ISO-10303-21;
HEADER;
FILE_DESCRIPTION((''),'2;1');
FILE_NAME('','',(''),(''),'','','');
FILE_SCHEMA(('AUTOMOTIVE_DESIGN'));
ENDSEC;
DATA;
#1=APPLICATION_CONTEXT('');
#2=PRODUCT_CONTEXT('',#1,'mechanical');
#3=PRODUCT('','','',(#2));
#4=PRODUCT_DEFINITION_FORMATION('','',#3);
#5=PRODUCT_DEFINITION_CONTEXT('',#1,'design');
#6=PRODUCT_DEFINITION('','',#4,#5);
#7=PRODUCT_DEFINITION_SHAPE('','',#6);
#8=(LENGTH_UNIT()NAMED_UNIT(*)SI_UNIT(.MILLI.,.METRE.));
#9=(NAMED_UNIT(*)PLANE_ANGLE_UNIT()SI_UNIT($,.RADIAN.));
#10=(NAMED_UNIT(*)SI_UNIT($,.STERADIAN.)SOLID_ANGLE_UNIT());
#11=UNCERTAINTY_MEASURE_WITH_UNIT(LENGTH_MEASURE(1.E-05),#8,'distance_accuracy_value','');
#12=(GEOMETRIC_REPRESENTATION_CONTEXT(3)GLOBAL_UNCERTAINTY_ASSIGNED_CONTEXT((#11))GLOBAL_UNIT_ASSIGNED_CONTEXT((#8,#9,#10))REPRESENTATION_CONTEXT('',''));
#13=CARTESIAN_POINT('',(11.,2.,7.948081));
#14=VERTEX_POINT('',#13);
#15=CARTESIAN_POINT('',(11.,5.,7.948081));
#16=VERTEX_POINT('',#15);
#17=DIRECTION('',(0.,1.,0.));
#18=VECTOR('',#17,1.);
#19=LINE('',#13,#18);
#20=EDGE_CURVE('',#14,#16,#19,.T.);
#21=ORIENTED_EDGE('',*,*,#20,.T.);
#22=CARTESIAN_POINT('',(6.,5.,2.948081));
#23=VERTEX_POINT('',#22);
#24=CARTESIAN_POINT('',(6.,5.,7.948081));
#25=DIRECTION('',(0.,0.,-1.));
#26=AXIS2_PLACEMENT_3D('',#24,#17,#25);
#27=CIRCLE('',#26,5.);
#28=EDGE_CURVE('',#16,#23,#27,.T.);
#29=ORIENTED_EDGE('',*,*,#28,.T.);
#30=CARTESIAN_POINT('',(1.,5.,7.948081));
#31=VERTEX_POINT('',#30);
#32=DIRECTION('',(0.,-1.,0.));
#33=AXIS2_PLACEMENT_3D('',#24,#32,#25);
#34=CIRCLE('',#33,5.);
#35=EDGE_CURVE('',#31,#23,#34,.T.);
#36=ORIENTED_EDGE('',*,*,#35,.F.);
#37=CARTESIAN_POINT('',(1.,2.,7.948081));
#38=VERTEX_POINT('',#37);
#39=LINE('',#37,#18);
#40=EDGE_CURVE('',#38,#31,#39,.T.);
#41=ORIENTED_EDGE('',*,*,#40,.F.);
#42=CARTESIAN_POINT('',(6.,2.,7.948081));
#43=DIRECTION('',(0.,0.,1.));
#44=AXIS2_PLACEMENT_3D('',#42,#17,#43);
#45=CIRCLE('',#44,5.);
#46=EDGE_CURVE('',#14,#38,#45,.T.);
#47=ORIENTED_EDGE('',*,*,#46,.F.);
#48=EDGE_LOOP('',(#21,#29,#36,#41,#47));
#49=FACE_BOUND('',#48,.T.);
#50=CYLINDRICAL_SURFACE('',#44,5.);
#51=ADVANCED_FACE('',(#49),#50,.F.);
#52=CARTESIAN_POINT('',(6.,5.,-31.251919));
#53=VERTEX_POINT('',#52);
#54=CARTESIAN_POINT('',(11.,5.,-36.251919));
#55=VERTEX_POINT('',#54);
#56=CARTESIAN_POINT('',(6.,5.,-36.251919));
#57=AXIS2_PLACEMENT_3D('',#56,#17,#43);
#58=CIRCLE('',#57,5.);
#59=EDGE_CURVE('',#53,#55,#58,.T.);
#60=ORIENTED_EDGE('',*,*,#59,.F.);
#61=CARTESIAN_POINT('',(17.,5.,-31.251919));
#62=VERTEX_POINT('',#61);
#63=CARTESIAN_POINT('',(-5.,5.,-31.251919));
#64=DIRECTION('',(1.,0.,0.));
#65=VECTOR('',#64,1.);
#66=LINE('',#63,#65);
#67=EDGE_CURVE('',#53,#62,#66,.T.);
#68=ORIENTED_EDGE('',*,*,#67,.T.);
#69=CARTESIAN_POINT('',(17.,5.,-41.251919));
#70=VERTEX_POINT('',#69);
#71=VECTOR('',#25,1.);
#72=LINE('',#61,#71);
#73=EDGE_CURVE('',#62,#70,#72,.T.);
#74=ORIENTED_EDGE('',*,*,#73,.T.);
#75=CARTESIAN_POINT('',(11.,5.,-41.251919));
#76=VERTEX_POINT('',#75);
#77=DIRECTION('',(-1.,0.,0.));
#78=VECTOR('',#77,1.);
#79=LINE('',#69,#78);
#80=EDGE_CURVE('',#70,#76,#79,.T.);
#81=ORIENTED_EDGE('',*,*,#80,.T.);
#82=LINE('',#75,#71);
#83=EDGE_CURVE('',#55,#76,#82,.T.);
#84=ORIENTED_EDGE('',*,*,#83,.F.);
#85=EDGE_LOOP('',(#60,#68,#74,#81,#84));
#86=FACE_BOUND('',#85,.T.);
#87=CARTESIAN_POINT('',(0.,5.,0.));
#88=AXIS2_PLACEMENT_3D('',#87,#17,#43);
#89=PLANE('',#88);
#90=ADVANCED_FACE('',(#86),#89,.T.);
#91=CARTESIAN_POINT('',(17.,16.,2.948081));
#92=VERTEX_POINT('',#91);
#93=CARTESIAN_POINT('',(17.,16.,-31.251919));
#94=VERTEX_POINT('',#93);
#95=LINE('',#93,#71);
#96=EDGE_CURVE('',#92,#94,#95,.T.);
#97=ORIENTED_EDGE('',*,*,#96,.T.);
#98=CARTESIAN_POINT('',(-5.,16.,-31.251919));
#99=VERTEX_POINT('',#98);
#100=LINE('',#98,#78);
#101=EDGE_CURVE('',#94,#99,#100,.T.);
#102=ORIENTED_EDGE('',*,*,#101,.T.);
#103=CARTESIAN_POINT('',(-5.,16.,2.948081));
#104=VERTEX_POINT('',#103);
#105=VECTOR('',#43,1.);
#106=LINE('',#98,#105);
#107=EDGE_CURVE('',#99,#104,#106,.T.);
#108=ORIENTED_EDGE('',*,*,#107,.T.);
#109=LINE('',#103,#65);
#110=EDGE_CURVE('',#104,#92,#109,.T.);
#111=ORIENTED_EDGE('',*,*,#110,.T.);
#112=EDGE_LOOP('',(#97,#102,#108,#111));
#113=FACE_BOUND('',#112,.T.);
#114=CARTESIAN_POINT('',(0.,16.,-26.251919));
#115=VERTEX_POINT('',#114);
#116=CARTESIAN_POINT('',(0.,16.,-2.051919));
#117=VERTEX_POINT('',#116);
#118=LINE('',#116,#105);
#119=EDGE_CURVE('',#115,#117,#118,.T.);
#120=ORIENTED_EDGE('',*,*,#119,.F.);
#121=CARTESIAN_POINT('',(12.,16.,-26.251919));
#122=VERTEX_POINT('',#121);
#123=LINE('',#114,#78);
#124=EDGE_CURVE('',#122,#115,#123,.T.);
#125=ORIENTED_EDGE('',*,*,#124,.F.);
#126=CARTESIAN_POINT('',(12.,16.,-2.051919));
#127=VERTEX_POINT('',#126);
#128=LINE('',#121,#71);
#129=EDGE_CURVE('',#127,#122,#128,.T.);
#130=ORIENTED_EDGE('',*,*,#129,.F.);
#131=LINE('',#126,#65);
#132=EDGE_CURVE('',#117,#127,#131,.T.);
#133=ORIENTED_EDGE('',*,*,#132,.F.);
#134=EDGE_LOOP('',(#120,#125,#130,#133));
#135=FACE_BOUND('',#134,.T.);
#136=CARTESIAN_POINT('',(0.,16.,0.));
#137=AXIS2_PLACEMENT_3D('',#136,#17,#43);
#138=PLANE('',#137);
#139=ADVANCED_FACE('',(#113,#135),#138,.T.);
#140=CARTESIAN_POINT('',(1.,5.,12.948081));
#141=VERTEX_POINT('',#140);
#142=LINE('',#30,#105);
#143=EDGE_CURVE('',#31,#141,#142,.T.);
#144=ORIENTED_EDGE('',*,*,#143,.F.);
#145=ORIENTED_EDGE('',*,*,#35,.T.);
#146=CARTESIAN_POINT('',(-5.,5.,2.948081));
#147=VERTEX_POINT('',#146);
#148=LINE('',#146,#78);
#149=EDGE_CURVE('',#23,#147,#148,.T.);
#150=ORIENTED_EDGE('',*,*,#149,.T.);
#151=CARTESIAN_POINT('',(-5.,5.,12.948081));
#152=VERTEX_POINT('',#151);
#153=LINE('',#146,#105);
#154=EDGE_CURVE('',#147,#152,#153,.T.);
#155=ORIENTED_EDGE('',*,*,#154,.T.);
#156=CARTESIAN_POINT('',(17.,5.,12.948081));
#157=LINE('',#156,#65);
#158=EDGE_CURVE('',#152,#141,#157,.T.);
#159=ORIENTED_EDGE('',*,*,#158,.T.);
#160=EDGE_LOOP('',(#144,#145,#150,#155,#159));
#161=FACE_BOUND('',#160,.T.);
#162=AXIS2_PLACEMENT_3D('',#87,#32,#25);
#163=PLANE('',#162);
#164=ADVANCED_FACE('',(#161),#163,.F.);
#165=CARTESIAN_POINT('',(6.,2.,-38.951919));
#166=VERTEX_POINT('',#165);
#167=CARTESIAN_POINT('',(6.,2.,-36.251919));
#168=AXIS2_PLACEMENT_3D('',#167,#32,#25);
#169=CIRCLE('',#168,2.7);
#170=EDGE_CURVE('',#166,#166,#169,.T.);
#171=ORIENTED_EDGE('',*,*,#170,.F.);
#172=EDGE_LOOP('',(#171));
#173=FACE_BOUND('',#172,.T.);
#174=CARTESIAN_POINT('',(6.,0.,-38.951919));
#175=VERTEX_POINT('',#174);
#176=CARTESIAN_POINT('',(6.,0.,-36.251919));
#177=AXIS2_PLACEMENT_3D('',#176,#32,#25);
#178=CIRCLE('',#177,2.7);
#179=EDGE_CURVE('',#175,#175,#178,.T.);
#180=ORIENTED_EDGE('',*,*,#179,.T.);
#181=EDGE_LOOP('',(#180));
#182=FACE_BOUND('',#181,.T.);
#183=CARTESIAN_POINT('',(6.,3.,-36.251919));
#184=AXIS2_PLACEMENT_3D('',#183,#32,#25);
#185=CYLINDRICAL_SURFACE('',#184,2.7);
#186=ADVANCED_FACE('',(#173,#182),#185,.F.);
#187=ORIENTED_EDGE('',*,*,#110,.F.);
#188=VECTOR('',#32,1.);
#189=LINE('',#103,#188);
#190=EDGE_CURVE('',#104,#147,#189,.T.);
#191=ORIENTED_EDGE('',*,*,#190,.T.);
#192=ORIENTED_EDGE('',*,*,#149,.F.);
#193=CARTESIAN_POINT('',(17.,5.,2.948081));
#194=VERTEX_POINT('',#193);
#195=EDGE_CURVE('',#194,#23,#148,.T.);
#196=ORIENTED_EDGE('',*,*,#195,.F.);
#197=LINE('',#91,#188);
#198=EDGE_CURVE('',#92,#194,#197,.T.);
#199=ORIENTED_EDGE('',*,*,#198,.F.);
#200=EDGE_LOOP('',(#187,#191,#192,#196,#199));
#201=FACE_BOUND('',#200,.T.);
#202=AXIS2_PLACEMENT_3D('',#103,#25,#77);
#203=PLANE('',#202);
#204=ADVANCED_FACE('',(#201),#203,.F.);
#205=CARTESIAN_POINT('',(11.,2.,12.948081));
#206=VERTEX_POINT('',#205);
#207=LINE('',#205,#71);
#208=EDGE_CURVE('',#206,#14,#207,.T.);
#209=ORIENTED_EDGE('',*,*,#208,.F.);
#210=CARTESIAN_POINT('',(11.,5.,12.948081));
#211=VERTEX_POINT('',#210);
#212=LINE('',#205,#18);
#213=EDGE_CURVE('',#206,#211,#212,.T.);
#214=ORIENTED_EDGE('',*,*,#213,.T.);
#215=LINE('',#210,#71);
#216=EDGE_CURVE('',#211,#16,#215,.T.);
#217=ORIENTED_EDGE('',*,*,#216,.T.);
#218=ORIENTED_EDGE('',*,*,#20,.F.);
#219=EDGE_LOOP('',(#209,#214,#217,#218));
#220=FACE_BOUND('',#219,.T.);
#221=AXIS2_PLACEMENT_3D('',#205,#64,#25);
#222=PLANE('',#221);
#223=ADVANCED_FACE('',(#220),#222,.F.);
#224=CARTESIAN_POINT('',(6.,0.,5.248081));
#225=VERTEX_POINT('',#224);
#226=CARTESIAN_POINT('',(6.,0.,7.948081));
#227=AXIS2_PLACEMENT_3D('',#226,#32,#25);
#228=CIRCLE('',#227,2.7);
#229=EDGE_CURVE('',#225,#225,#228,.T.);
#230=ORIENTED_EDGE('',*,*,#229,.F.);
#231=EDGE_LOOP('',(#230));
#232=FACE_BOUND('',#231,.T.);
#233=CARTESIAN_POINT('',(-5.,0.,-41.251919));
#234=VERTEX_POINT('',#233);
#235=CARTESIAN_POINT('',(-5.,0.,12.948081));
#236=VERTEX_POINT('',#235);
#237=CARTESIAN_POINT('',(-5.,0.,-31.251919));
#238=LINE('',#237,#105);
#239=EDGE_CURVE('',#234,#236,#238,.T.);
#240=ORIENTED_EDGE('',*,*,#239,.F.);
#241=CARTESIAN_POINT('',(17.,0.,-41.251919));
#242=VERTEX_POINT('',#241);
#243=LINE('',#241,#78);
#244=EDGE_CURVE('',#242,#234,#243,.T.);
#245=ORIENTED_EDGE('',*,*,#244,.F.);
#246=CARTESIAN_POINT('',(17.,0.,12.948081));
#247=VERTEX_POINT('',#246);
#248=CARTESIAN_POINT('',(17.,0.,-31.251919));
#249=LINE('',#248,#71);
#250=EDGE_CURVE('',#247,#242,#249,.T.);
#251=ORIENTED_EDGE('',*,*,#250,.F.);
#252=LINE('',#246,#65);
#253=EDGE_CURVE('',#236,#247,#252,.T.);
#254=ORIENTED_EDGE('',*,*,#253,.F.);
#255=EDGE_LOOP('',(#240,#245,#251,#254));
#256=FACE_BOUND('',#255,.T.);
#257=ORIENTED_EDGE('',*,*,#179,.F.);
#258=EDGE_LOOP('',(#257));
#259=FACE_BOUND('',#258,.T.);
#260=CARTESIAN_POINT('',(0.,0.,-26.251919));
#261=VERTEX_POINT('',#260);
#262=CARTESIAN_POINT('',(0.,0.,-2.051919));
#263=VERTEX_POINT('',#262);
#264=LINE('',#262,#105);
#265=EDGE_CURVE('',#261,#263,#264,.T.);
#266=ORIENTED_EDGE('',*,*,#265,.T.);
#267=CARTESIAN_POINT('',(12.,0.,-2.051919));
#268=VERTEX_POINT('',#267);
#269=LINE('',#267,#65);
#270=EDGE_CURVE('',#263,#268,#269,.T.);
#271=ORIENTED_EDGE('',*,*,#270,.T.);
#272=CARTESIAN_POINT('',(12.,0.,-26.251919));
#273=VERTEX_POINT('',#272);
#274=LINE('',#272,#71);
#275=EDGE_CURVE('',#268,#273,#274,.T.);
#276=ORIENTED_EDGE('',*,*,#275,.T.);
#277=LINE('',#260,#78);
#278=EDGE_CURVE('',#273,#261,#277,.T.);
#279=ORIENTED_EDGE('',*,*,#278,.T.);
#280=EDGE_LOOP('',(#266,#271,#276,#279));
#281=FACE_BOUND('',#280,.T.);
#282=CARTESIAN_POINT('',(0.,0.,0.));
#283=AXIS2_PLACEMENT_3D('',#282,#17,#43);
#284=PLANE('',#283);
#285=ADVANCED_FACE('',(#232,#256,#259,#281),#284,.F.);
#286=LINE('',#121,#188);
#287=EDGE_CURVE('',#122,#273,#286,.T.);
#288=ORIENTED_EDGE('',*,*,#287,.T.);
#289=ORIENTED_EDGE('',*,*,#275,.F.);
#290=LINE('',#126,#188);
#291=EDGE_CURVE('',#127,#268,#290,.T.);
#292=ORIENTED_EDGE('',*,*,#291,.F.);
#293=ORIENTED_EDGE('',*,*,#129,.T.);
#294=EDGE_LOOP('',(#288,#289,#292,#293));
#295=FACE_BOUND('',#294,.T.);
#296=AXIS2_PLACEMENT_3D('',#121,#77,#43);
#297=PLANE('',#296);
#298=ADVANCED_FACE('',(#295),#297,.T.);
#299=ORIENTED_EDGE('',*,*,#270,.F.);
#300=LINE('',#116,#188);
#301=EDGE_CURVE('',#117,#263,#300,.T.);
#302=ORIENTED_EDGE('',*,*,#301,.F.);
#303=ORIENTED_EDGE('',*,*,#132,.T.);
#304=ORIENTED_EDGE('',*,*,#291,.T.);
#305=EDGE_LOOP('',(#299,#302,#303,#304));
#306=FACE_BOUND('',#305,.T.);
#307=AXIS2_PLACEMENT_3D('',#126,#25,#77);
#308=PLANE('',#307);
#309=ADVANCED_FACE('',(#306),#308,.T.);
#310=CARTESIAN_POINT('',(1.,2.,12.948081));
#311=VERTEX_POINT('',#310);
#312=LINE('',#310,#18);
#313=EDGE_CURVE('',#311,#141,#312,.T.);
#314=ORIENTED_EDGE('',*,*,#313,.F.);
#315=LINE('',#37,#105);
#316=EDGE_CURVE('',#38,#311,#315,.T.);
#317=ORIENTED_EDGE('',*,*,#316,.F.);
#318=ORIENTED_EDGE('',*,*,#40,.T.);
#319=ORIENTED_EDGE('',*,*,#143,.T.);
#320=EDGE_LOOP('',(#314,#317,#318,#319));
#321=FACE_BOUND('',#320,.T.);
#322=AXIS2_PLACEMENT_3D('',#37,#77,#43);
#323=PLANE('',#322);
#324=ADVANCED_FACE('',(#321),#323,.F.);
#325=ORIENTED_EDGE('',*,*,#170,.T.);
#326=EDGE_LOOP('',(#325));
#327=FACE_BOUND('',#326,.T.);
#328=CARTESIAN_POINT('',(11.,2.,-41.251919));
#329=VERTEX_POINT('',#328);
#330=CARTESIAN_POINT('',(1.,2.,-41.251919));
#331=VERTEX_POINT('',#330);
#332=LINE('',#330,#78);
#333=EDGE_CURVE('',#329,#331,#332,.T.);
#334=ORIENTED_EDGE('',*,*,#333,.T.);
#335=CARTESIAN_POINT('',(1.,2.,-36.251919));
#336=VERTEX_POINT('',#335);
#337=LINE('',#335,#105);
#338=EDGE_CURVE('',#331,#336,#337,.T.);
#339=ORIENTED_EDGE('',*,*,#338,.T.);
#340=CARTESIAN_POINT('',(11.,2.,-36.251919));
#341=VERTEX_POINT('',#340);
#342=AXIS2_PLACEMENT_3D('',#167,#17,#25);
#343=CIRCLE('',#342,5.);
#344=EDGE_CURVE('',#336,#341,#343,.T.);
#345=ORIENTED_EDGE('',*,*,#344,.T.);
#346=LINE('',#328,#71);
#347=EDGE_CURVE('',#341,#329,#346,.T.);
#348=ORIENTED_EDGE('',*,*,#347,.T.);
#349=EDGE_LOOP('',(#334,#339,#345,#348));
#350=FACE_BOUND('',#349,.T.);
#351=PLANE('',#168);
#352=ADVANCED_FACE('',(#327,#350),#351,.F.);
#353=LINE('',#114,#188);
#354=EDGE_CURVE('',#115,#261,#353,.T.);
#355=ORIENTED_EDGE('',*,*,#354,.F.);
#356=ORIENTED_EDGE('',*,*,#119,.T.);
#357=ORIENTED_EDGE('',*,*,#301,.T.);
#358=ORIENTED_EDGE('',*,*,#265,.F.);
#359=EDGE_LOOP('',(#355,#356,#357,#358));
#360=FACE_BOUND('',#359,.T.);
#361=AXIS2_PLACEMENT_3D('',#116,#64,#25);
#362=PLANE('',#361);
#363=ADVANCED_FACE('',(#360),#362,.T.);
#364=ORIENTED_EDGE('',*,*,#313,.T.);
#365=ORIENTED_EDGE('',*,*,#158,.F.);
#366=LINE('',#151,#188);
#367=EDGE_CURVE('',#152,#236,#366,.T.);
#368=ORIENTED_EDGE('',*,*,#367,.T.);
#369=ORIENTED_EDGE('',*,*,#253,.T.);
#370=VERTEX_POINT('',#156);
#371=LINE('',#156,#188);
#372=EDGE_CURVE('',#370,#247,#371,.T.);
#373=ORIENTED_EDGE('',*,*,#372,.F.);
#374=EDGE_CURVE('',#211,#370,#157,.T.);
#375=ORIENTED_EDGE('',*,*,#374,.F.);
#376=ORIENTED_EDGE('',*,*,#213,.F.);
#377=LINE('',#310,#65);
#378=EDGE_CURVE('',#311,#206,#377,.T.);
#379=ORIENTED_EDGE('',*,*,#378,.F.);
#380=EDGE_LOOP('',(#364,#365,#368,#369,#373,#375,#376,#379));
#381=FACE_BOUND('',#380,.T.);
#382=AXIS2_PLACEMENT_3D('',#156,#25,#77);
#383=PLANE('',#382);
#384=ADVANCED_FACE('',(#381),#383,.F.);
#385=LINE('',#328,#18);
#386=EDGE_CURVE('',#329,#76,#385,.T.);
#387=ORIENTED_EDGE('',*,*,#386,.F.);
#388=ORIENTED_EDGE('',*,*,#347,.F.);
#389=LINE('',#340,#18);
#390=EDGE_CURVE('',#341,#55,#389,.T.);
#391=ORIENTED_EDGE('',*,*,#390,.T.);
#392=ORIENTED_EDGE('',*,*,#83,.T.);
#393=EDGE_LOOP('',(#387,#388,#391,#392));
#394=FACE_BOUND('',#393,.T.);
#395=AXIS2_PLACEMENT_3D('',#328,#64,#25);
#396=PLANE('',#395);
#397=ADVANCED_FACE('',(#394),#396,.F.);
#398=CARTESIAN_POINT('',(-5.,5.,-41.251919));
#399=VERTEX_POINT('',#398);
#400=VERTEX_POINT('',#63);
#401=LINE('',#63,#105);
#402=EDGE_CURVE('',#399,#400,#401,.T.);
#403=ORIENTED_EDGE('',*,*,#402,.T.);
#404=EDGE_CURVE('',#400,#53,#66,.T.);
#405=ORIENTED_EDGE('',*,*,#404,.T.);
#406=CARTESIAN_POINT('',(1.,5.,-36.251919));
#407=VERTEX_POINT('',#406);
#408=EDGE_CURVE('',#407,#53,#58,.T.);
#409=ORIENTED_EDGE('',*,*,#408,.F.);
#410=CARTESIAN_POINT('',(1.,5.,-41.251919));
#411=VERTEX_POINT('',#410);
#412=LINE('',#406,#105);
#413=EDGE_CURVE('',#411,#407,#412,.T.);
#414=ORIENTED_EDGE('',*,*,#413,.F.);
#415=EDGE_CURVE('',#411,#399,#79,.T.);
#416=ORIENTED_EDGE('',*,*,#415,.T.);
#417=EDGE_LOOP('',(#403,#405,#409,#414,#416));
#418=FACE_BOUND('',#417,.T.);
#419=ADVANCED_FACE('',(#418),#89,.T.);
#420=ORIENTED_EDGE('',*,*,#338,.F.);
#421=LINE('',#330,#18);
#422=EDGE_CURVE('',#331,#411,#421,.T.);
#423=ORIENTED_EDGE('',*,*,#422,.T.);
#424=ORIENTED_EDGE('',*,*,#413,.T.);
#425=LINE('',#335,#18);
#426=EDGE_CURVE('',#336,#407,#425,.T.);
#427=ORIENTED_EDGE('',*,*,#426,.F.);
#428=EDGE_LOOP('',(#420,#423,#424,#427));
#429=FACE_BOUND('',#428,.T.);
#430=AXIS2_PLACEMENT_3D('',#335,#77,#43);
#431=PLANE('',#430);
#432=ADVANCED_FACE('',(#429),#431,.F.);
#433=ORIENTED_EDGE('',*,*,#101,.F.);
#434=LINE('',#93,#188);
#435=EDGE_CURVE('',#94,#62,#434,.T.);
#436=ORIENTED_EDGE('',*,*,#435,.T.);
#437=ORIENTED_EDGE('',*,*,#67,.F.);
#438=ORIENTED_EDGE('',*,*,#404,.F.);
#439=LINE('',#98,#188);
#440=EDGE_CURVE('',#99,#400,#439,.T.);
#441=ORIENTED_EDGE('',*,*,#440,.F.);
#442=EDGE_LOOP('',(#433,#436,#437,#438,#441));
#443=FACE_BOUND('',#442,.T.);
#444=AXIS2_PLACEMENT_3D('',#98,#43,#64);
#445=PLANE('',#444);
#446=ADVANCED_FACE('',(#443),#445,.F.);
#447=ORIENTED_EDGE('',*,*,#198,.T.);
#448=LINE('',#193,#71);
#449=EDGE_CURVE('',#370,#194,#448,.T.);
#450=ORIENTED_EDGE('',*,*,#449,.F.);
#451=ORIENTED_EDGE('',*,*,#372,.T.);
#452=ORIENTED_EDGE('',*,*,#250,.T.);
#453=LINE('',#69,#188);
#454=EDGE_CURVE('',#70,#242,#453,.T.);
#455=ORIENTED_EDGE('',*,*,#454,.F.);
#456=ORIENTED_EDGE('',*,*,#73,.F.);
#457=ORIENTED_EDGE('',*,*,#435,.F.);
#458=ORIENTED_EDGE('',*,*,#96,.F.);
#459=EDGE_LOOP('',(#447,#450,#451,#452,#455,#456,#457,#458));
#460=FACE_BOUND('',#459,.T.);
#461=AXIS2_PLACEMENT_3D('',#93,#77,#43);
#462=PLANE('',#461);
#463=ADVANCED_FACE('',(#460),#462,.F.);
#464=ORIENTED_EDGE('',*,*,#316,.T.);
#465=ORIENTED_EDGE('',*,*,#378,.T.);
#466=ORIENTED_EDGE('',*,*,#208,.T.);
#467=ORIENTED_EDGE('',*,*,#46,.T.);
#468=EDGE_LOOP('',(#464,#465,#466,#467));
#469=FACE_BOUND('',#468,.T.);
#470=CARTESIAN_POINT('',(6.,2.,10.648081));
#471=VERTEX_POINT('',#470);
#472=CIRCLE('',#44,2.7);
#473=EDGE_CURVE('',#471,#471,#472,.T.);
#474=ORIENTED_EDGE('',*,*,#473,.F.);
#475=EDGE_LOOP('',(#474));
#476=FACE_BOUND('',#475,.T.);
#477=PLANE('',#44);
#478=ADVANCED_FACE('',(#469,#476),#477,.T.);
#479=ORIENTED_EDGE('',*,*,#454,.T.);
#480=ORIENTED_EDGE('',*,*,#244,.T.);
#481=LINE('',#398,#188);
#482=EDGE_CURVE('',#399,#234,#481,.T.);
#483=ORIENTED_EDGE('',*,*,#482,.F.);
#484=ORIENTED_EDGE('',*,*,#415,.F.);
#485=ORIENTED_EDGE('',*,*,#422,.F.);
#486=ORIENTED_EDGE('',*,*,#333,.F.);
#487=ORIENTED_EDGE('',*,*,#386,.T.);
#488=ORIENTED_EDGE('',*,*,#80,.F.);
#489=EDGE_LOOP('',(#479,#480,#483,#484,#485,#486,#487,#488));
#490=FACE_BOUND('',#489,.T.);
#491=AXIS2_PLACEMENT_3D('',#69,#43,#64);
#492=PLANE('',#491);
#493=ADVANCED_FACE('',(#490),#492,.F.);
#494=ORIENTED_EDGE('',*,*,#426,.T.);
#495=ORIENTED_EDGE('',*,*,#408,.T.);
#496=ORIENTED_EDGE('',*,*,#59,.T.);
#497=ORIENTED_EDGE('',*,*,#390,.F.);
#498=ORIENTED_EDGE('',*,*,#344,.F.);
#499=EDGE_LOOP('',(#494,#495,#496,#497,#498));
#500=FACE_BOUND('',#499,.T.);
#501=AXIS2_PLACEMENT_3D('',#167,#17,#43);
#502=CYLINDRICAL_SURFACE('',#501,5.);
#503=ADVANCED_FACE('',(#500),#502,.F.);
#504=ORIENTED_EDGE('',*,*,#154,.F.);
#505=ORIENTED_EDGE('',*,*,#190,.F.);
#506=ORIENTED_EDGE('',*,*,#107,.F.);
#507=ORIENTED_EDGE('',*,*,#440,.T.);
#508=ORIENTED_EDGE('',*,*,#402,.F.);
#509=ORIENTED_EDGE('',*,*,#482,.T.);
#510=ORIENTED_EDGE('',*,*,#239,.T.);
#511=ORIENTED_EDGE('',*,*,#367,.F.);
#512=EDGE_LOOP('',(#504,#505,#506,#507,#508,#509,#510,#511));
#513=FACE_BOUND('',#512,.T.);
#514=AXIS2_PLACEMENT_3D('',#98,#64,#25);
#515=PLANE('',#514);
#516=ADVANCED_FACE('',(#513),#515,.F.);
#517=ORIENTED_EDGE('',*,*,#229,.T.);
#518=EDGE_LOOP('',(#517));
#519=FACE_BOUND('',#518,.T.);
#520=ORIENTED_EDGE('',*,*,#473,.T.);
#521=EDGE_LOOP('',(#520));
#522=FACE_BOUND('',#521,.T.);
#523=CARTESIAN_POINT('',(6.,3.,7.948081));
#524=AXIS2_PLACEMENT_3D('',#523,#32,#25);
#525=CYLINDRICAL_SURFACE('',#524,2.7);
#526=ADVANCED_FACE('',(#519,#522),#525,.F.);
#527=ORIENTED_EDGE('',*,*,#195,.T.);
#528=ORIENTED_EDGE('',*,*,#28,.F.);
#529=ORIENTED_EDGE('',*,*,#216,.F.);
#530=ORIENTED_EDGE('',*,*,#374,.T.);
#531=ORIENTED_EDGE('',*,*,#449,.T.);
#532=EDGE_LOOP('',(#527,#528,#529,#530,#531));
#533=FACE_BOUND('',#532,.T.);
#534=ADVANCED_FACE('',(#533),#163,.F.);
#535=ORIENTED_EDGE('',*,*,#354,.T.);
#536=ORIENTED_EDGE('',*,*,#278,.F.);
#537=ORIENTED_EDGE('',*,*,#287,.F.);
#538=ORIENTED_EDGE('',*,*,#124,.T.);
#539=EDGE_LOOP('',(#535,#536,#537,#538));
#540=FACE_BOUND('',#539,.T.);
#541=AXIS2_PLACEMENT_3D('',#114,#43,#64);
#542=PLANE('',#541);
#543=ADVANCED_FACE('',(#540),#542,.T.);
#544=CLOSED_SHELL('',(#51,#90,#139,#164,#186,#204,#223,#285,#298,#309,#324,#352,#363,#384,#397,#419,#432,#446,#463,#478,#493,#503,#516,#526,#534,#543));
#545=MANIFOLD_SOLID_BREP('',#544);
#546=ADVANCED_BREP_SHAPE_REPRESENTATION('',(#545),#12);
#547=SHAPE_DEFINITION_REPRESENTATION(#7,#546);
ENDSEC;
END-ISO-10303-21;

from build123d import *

# Parameters (mm, degrees)
SKETCH3_W           = 22
SKETCH3_H           = 34.2
SKETCH3_W_2         = 12
SKETCH3_H_2         = 24.2
BOSS_EXTRUDE1_DEPTH = 16
SKETCH4_W           = 22
SKETCH4_H           = 10
BOSS_EXTRUDE2_DEPTH = 5
CUT_EXTRUDE6_DEPTH  = 3
SKETCH12_R          = 2.7
CUT_EXTRUDE7_DEPTH  = 3


with BuildPart() as part:
    # Sketch3 → Boss-Extrude1 (new body)
    with BuildSketch(Plane(origin=(0, 0, 0), x_dir=(1, 0, 0), z_dir=(0, 1, 0))):
        with Locations((6, 14.151918963)):
            Rectangle(SKETCH3_W, SKETCH3_H)
        with Locations((6, 14.151918963)):
            Rectangle(SKETCH3_W_2, SKETCH3_H_2, mode=Mode.SUBTRACT)
    extrude(amount=BOSS_EXTRUDE1_DEPTH)

    # Sketch4 → Boss-Extrude2 (add)
    with BuildSketch(Plane(origin=(0, 0, 0), x_dir=(1, 0, 0), z_dir=(0, 1, 0))):
        with Locations((6, 36.251918963)):
            Rectangle(SKETCH4_W, SKETCH4_H)
        with Locations((6, -7.948081037)):
            Rectangle(SKETCH4_W, SKETCH4_H)
    extrude(amount=BOSS_EXTRUDE2_DEPTH)

    # Sketch8 → Cut-Extrude6 (cut)
    with BuildSketch(Plane(origin=(0, 5, 0), x_dir=(1, 0, 0), z_dir=(0, 1, 0))):
        with BuildLine():
            Line((1, 36.251918963), (1, 41.251918963))
            Line((1, 41.251918963), (11, 41.251918963))
            Line((11, 41.251918963), (11, 36.251918963))
            ThreePointArc((11, 36.251918963), (9.535533906, 32.716385057), (6, 31.251918963))
            ThreePointArc((6, 31.251918963), (2.464466094, 32.716385057), (1, 36.251918963))
        make_face()
        with BuildLine():
            Line((1, -7.948081037), (1, -12.948081037))
            Line((1, -12.948081037), (11, -12.948081037))
            Line((11, -12.948081037), (11, -7.948081037))
            ThreePointArc((11, -7.948081037), (9.535533906, -4.412547131), (6, -2.948081037))
            ThreePointArc((6, -2.948081037), (2.464466094, -4.412547131), (1, -7.948081037))
        make_face()
    extrude(amount=-CUT_EXTRUDE6_DEPTH, mode=Mode.SUBTRACT)

    # Sketch12 → Cut-Extrude7 (cut)
    with BuildSketch(Plane.XZ):
        with Locations(Location((6, 7.948081037, 0), (0, 0, 270))):
            Circle(SKETCH12_R)
        with Locations(Location((6, -36.251918963, 0), (0, 0, 270))):
            Circle(SKETCH12_R)
    extrude(amount=-CUT_EXTRUDE7_DEPTH, mode=Mode.SUBTRACT)


solid = part.part
